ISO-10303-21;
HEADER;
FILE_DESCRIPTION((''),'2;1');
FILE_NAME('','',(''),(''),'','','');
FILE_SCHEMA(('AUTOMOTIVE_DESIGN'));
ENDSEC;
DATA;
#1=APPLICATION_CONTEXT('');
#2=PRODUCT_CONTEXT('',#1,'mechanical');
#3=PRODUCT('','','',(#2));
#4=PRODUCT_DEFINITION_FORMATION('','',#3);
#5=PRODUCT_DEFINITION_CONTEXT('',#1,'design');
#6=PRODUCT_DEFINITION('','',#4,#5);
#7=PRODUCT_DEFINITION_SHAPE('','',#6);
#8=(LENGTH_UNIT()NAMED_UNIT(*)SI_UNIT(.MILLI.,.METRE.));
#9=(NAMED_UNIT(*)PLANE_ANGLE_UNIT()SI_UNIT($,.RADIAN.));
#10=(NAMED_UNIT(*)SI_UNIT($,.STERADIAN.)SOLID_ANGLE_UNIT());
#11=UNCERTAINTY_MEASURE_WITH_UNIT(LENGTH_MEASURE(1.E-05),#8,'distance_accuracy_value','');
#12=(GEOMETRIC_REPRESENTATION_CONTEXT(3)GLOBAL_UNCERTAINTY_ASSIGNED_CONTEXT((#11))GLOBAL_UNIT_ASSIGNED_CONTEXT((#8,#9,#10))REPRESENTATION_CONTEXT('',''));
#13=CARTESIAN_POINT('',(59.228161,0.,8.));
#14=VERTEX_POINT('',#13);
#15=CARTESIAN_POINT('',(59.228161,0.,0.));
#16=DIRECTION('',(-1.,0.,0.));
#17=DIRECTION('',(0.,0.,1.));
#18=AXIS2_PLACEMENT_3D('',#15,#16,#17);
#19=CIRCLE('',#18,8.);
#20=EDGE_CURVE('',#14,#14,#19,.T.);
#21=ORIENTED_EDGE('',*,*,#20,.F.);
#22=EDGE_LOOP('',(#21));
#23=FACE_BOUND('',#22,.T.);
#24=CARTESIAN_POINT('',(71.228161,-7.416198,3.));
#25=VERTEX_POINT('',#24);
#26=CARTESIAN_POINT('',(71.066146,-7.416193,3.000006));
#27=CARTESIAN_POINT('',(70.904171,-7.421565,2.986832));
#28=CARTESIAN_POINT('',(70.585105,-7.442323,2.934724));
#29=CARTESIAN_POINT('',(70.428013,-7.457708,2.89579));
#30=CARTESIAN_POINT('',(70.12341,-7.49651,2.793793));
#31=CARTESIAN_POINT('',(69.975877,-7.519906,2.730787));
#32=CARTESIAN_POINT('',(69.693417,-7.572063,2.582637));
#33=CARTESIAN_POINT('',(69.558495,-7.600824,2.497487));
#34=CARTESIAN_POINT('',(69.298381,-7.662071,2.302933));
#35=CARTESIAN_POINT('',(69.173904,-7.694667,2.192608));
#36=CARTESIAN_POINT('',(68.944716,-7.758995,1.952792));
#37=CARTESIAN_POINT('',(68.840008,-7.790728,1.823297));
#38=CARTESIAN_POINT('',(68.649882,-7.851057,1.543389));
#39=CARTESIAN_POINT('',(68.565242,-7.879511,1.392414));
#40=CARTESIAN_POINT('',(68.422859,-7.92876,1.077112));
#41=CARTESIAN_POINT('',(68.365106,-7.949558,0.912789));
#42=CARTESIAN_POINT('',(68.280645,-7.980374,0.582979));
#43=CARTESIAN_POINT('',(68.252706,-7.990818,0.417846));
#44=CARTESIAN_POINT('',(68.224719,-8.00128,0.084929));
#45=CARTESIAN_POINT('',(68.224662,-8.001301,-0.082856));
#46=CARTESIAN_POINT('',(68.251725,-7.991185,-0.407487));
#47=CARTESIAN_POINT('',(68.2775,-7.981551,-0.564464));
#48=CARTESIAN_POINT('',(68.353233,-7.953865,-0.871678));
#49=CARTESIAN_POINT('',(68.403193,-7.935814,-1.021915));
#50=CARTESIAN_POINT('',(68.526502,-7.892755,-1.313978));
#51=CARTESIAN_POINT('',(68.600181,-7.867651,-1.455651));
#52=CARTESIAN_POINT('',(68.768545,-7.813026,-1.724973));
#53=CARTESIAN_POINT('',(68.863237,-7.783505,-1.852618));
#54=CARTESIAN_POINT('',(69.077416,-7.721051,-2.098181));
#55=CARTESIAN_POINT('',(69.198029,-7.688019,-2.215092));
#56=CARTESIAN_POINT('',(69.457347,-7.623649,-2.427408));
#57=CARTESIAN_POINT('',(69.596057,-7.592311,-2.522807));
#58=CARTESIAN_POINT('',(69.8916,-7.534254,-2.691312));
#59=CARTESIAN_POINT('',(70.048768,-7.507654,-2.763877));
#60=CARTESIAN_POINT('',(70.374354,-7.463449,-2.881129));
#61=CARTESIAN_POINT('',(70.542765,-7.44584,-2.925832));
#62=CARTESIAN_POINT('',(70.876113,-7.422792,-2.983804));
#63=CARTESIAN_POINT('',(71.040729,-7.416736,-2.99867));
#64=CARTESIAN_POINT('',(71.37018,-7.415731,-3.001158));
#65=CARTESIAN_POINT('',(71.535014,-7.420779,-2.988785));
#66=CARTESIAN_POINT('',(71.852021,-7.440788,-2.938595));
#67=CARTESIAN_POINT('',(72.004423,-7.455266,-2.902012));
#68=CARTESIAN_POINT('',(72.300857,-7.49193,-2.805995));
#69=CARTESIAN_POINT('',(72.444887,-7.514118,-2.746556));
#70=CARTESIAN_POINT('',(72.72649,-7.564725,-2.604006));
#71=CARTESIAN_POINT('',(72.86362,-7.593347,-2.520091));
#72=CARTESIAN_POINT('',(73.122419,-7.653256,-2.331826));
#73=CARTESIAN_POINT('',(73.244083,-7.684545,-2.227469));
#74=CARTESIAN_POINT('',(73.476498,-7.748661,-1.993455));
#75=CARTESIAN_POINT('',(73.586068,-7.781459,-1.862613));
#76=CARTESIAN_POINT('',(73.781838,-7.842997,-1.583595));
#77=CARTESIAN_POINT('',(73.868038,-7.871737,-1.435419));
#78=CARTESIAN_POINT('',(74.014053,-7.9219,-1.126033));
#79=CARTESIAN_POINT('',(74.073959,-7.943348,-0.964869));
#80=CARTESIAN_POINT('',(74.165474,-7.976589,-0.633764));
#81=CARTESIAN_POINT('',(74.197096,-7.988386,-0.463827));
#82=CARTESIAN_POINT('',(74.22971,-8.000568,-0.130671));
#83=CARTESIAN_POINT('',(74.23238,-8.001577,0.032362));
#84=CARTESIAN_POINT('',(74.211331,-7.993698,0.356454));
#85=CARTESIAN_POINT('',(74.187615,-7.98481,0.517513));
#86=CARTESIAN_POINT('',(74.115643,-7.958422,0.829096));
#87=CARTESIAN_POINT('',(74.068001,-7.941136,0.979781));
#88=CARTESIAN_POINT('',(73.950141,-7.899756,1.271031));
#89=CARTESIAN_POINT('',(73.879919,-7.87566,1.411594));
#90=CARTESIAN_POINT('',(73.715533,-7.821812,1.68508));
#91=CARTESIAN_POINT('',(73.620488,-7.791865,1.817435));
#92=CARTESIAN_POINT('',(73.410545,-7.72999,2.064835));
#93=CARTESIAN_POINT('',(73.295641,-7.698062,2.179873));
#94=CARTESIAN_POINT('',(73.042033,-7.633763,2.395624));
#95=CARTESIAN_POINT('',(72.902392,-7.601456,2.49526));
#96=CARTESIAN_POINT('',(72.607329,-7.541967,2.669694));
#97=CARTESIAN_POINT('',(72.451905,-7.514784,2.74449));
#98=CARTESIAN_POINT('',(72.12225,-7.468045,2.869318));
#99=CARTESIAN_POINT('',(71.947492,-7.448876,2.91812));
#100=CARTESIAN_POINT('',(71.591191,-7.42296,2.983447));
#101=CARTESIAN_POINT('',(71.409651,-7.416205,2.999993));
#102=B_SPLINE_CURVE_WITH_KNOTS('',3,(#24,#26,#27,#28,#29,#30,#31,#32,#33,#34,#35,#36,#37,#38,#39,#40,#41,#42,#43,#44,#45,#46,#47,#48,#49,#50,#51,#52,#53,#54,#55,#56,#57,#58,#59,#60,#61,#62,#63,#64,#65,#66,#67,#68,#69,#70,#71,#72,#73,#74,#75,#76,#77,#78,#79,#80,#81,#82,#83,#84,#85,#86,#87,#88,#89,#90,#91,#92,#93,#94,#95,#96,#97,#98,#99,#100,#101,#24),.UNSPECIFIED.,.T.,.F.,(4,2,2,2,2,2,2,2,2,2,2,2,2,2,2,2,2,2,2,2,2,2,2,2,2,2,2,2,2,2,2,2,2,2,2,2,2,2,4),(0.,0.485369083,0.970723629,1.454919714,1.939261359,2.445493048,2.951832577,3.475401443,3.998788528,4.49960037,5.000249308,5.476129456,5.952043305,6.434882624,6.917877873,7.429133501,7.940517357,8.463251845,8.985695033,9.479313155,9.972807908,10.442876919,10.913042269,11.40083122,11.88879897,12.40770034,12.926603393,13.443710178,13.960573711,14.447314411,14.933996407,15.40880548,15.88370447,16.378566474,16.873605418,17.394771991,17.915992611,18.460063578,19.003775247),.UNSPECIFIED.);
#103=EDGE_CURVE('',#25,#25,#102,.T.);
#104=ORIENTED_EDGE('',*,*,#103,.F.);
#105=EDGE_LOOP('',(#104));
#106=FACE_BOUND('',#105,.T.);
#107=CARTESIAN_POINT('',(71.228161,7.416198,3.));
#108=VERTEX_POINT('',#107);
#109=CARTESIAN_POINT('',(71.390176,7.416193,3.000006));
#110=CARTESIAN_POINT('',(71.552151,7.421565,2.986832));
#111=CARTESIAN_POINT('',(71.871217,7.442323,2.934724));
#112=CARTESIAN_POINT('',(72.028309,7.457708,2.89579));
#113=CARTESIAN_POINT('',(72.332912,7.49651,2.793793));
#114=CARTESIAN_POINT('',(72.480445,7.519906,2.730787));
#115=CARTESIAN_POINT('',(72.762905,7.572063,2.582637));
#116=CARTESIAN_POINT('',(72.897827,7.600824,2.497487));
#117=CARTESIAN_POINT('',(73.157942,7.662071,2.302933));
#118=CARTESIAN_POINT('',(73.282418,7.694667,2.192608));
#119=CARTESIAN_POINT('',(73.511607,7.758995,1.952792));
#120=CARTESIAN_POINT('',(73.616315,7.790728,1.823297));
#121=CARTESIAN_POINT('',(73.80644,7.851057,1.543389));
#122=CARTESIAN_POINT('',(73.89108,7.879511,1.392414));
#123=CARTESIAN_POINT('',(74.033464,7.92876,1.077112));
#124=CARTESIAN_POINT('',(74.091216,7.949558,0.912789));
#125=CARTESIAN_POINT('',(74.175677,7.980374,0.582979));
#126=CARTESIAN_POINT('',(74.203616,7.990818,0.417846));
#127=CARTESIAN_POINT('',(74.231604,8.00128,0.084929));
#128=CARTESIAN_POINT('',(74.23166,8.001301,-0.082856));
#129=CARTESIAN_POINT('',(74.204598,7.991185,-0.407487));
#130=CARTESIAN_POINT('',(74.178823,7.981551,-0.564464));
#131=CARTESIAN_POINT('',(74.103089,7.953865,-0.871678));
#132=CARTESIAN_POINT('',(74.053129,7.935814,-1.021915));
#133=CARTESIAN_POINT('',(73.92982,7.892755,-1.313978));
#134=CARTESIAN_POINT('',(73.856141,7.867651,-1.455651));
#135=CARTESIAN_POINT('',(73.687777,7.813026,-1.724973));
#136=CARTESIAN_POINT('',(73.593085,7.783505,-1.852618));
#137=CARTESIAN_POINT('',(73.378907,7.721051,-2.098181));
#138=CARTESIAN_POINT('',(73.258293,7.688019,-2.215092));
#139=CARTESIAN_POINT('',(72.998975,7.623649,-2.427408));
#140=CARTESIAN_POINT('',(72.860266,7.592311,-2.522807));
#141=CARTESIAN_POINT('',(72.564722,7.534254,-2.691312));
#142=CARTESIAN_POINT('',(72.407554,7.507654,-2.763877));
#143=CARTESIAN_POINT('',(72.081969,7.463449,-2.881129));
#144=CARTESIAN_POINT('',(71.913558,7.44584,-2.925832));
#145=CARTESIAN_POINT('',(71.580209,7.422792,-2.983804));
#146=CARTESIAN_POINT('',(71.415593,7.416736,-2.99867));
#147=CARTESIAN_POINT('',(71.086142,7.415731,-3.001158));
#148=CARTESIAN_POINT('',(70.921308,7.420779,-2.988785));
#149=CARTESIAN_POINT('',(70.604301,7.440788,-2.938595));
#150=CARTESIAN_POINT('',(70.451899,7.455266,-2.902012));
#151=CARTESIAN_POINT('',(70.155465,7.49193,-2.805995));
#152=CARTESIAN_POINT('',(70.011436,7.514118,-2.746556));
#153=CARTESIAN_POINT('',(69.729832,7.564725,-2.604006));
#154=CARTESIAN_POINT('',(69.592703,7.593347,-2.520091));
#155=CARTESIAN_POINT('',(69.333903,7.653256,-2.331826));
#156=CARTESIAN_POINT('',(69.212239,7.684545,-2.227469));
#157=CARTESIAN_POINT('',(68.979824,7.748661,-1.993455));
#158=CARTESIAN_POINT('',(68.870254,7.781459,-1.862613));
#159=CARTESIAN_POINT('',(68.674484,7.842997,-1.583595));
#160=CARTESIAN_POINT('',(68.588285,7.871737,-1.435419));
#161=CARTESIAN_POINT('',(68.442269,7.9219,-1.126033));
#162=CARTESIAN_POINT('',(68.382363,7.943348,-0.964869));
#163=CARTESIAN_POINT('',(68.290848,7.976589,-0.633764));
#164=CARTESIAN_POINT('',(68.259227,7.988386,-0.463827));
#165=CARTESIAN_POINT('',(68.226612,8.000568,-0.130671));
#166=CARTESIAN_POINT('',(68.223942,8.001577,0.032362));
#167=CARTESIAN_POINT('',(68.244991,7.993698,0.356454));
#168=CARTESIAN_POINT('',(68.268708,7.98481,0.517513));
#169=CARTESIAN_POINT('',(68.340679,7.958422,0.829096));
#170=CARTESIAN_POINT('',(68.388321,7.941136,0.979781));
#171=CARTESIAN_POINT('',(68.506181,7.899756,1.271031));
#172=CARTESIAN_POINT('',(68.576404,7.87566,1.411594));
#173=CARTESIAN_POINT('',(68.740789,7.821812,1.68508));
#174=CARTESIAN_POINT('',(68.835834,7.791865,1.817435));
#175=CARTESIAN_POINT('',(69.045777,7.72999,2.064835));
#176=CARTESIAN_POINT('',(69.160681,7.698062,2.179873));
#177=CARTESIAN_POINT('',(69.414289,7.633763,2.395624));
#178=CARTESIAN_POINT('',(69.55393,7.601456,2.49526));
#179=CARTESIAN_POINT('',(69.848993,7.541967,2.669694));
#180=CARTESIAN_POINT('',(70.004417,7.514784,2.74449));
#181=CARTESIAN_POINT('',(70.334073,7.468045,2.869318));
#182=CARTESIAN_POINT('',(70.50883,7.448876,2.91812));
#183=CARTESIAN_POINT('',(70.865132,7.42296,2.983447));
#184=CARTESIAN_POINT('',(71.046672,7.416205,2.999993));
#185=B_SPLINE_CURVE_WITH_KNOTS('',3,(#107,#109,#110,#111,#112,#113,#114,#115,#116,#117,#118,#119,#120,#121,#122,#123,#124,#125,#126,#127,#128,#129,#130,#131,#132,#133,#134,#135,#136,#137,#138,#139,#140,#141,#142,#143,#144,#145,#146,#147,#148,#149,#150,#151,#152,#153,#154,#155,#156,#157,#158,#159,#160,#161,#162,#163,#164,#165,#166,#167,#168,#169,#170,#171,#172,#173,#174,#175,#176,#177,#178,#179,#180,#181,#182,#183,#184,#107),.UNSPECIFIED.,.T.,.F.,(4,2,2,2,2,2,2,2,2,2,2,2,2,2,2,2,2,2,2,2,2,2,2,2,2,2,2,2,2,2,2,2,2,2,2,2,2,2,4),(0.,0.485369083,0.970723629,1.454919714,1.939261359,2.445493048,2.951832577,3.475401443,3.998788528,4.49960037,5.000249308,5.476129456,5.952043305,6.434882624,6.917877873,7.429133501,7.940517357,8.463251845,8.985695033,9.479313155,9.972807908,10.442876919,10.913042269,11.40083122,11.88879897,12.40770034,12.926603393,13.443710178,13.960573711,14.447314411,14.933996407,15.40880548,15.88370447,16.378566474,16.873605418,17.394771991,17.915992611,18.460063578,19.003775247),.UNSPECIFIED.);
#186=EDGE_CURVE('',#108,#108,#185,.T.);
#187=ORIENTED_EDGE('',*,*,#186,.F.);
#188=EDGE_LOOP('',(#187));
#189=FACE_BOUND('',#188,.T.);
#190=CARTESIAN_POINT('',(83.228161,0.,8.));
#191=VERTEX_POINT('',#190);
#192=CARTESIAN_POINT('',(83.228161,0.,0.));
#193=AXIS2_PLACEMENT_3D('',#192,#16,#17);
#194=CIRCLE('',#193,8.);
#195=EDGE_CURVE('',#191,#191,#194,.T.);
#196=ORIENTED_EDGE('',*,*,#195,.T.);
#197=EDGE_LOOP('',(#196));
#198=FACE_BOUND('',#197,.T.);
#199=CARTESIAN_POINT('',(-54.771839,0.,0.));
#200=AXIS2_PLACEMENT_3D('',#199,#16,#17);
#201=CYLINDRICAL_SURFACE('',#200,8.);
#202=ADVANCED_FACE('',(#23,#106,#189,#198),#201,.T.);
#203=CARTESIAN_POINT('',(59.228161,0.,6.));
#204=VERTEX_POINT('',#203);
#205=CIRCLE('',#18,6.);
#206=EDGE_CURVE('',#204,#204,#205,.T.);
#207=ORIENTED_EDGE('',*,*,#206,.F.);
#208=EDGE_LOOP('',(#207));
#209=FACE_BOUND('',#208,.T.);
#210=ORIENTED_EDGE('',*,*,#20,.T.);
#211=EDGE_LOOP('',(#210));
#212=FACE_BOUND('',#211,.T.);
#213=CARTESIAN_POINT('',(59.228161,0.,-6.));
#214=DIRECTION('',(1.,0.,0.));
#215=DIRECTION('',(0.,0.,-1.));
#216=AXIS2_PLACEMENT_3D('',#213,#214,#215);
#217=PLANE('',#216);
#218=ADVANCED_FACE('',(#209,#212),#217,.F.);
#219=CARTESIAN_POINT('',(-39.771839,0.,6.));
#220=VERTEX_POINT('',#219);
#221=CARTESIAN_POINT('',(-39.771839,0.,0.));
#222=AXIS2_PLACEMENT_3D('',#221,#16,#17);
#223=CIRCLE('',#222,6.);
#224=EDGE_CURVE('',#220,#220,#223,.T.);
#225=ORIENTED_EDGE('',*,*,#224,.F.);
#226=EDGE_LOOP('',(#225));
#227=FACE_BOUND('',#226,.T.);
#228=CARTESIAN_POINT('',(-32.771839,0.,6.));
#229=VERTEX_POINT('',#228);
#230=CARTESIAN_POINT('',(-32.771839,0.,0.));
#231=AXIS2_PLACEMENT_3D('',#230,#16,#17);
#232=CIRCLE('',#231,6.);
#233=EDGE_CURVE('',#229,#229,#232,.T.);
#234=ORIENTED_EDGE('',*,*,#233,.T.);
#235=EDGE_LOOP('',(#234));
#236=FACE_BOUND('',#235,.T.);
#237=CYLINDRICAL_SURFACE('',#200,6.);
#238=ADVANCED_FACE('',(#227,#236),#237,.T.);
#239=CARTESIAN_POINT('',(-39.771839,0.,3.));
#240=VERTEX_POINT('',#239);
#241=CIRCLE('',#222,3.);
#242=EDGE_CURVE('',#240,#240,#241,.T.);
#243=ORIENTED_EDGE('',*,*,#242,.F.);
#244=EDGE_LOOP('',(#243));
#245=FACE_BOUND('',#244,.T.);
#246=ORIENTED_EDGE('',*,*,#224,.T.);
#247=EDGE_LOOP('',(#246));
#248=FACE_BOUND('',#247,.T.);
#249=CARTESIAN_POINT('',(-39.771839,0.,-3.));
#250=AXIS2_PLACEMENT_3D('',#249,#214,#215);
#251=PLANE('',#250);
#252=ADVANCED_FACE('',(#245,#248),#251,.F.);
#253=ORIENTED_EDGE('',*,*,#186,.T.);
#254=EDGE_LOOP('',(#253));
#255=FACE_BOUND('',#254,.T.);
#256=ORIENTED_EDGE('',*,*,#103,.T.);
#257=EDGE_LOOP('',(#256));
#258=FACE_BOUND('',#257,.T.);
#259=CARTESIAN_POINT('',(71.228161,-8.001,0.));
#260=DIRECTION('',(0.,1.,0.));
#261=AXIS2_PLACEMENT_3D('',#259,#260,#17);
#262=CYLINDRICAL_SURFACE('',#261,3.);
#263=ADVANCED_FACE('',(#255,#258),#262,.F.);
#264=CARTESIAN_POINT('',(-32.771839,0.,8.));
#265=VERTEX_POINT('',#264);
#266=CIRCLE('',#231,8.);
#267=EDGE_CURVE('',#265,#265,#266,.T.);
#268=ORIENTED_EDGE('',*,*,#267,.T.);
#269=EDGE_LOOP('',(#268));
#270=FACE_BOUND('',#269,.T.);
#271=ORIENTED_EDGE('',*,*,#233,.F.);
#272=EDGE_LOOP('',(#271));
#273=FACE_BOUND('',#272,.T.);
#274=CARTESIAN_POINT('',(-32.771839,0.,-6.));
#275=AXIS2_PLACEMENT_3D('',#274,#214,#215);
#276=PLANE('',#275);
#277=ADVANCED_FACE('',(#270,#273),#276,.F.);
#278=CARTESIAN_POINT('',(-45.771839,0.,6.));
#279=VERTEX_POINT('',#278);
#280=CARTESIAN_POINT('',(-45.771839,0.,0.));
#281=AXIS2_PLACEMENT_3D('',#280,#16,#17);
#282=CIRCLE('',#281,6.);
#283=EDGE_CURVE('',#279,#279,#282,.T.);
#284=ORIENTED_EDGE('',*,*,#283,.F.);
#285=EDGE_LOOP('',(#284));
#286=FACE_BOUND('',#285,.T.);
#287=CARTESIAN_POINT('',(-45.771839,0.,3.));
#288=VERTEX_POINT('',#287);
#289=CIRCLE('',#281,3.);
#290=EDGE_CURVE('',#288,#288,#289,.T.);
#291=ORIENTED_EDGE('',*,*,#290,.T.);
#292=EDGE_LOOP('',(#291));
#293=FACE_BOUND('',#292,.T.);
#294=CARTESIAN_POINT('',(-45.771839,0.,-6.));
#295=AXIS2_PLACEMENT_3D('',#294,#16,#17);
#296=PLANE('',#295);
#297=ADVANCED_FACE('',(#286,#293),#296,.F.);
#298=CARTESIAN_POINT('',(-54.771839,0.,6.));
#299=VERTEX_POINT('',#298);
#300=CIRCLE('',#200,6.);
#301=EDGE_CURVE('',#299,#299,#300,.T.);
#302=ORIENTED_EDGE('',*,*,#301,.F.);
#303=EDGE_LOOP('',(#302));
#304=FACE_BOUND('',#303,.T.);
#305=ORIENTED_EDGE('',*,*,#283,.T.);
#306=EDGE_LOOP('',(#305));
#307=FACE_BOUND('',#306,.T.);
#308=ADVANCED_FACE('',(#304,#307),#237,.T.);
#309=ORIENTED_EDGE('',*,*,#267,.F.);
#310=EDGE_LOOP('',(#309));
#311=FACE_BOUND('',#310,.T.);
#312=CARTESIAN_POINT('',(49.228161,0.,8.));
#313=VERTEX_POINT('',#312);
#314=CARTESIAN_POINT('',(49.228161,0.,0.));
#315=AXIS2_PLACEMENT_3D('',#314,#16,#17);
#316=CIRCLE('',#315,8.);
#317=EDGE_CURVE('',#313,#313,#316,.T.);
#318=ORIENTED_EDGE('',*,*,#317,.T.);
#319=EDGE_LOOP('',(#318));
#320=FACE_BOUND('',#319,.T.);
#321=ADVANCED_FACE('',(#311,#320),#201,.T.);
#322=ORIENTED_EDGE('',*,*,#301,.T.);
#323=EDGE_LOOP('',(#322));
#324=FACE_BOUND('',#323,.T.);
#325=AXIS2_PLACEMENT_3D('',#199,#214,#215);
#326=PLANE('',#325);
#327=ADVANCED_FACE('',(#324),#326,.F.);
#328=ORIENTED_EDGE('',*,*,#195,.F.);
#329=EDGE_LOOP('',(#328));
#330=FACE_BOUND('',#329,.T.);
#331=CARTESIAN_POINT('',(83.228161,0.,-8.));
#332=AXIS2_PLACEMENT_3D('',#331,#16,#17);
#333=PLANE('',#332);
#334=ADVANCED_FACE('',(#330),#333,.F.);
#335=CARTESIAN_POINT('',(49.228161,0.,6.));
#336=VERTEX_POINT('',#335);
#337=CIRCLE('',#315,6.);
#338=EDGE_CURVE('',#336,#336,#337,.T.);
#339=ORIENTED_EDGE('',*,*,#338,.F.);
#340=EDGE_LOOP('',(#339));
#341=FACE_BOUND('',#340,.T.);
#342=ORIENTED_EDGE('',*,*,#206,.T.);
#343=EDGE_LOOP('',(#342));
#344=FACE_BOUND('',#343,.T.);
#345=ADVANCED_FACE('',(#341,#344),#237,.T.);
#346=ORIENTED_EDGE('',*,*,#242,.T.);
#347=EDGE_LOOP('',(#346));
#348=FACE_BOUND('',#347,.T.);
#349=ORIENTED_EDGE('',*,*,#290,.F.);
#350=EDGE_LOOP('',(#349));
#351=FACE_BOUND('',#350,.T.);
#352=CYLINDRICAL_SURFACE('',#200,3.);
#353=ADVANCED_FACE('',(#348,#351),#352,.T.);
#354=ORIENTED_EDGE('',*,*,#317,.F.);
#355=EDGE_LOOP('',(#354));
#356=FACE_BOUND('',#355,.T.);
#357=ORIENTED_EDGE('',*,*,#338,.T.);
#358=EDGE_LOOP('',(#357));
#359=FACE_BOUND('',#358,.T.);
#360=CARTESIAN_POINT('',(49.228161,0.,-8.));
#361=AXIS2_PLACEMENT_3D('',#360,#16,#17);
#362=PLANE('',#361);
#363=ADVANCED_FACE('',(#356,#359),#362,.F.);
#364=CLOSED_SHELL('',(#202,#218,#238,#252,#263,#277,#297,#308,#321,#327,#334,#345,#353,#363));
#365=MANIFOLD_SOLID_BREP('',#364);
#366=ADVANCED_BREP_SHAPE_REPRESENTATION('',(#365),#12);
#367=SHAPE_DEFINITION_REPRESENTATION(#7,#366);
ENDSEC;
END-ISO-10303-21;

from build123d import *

# Parameters (mm, degrees)
CUT_EXTRUDE1_REACH = 18
SKETCH3_R          = 3


with BuildPart() as part:
    # Sketch1 → Revolve1 (revolve)
    with BuildSketch(Plane(origin=(0, 0, 0), x_dir=(1, 0, 0), z_dir=(0, 1, 0))):
        Polygon((-54.771838843, 0), (-54.771838843, 6), (-45.771838843, 6), (-45.771838843, 3), (-39.771838843, 3), (-39.771838843, 6), (-32.771838843, 6), (-32.771838843, 8), (49.228161157, 8), (49.228161157, 6), (59.228161157, 6), (59.228161157, 8), (83.228161157, 8), (83.228161157, 0), align=None)
    revolve(axis=Axis((-54.771838843, 0, 0), (1, 0, 0)))

    # Sketch3 → Cut-Extrude1 (cut, up to next)
    with BuildSketch(Plane(origin=(0, 8, 0), x_dir=(1, 0, 0), z_dir=(0, 1, 0)), mode=Mode.PRIVATE) as cut_extrude1_sk1:
        with Locations((71.228161157, 0)):
            Circle(SKETCH3_R)
    cut_extrude1_tool1 = extrude(cut_extrude1_sk1.sketch, amount=-CUT_EXTRUDE1_REACH, mode=Mode.PRIVATE) & part.part
    add(cut_extrude1_tool1.solids().sort_by_distance((71.228161, 8, 0))[0], mode=Mode.SUBTRACT)


solid = part.part
